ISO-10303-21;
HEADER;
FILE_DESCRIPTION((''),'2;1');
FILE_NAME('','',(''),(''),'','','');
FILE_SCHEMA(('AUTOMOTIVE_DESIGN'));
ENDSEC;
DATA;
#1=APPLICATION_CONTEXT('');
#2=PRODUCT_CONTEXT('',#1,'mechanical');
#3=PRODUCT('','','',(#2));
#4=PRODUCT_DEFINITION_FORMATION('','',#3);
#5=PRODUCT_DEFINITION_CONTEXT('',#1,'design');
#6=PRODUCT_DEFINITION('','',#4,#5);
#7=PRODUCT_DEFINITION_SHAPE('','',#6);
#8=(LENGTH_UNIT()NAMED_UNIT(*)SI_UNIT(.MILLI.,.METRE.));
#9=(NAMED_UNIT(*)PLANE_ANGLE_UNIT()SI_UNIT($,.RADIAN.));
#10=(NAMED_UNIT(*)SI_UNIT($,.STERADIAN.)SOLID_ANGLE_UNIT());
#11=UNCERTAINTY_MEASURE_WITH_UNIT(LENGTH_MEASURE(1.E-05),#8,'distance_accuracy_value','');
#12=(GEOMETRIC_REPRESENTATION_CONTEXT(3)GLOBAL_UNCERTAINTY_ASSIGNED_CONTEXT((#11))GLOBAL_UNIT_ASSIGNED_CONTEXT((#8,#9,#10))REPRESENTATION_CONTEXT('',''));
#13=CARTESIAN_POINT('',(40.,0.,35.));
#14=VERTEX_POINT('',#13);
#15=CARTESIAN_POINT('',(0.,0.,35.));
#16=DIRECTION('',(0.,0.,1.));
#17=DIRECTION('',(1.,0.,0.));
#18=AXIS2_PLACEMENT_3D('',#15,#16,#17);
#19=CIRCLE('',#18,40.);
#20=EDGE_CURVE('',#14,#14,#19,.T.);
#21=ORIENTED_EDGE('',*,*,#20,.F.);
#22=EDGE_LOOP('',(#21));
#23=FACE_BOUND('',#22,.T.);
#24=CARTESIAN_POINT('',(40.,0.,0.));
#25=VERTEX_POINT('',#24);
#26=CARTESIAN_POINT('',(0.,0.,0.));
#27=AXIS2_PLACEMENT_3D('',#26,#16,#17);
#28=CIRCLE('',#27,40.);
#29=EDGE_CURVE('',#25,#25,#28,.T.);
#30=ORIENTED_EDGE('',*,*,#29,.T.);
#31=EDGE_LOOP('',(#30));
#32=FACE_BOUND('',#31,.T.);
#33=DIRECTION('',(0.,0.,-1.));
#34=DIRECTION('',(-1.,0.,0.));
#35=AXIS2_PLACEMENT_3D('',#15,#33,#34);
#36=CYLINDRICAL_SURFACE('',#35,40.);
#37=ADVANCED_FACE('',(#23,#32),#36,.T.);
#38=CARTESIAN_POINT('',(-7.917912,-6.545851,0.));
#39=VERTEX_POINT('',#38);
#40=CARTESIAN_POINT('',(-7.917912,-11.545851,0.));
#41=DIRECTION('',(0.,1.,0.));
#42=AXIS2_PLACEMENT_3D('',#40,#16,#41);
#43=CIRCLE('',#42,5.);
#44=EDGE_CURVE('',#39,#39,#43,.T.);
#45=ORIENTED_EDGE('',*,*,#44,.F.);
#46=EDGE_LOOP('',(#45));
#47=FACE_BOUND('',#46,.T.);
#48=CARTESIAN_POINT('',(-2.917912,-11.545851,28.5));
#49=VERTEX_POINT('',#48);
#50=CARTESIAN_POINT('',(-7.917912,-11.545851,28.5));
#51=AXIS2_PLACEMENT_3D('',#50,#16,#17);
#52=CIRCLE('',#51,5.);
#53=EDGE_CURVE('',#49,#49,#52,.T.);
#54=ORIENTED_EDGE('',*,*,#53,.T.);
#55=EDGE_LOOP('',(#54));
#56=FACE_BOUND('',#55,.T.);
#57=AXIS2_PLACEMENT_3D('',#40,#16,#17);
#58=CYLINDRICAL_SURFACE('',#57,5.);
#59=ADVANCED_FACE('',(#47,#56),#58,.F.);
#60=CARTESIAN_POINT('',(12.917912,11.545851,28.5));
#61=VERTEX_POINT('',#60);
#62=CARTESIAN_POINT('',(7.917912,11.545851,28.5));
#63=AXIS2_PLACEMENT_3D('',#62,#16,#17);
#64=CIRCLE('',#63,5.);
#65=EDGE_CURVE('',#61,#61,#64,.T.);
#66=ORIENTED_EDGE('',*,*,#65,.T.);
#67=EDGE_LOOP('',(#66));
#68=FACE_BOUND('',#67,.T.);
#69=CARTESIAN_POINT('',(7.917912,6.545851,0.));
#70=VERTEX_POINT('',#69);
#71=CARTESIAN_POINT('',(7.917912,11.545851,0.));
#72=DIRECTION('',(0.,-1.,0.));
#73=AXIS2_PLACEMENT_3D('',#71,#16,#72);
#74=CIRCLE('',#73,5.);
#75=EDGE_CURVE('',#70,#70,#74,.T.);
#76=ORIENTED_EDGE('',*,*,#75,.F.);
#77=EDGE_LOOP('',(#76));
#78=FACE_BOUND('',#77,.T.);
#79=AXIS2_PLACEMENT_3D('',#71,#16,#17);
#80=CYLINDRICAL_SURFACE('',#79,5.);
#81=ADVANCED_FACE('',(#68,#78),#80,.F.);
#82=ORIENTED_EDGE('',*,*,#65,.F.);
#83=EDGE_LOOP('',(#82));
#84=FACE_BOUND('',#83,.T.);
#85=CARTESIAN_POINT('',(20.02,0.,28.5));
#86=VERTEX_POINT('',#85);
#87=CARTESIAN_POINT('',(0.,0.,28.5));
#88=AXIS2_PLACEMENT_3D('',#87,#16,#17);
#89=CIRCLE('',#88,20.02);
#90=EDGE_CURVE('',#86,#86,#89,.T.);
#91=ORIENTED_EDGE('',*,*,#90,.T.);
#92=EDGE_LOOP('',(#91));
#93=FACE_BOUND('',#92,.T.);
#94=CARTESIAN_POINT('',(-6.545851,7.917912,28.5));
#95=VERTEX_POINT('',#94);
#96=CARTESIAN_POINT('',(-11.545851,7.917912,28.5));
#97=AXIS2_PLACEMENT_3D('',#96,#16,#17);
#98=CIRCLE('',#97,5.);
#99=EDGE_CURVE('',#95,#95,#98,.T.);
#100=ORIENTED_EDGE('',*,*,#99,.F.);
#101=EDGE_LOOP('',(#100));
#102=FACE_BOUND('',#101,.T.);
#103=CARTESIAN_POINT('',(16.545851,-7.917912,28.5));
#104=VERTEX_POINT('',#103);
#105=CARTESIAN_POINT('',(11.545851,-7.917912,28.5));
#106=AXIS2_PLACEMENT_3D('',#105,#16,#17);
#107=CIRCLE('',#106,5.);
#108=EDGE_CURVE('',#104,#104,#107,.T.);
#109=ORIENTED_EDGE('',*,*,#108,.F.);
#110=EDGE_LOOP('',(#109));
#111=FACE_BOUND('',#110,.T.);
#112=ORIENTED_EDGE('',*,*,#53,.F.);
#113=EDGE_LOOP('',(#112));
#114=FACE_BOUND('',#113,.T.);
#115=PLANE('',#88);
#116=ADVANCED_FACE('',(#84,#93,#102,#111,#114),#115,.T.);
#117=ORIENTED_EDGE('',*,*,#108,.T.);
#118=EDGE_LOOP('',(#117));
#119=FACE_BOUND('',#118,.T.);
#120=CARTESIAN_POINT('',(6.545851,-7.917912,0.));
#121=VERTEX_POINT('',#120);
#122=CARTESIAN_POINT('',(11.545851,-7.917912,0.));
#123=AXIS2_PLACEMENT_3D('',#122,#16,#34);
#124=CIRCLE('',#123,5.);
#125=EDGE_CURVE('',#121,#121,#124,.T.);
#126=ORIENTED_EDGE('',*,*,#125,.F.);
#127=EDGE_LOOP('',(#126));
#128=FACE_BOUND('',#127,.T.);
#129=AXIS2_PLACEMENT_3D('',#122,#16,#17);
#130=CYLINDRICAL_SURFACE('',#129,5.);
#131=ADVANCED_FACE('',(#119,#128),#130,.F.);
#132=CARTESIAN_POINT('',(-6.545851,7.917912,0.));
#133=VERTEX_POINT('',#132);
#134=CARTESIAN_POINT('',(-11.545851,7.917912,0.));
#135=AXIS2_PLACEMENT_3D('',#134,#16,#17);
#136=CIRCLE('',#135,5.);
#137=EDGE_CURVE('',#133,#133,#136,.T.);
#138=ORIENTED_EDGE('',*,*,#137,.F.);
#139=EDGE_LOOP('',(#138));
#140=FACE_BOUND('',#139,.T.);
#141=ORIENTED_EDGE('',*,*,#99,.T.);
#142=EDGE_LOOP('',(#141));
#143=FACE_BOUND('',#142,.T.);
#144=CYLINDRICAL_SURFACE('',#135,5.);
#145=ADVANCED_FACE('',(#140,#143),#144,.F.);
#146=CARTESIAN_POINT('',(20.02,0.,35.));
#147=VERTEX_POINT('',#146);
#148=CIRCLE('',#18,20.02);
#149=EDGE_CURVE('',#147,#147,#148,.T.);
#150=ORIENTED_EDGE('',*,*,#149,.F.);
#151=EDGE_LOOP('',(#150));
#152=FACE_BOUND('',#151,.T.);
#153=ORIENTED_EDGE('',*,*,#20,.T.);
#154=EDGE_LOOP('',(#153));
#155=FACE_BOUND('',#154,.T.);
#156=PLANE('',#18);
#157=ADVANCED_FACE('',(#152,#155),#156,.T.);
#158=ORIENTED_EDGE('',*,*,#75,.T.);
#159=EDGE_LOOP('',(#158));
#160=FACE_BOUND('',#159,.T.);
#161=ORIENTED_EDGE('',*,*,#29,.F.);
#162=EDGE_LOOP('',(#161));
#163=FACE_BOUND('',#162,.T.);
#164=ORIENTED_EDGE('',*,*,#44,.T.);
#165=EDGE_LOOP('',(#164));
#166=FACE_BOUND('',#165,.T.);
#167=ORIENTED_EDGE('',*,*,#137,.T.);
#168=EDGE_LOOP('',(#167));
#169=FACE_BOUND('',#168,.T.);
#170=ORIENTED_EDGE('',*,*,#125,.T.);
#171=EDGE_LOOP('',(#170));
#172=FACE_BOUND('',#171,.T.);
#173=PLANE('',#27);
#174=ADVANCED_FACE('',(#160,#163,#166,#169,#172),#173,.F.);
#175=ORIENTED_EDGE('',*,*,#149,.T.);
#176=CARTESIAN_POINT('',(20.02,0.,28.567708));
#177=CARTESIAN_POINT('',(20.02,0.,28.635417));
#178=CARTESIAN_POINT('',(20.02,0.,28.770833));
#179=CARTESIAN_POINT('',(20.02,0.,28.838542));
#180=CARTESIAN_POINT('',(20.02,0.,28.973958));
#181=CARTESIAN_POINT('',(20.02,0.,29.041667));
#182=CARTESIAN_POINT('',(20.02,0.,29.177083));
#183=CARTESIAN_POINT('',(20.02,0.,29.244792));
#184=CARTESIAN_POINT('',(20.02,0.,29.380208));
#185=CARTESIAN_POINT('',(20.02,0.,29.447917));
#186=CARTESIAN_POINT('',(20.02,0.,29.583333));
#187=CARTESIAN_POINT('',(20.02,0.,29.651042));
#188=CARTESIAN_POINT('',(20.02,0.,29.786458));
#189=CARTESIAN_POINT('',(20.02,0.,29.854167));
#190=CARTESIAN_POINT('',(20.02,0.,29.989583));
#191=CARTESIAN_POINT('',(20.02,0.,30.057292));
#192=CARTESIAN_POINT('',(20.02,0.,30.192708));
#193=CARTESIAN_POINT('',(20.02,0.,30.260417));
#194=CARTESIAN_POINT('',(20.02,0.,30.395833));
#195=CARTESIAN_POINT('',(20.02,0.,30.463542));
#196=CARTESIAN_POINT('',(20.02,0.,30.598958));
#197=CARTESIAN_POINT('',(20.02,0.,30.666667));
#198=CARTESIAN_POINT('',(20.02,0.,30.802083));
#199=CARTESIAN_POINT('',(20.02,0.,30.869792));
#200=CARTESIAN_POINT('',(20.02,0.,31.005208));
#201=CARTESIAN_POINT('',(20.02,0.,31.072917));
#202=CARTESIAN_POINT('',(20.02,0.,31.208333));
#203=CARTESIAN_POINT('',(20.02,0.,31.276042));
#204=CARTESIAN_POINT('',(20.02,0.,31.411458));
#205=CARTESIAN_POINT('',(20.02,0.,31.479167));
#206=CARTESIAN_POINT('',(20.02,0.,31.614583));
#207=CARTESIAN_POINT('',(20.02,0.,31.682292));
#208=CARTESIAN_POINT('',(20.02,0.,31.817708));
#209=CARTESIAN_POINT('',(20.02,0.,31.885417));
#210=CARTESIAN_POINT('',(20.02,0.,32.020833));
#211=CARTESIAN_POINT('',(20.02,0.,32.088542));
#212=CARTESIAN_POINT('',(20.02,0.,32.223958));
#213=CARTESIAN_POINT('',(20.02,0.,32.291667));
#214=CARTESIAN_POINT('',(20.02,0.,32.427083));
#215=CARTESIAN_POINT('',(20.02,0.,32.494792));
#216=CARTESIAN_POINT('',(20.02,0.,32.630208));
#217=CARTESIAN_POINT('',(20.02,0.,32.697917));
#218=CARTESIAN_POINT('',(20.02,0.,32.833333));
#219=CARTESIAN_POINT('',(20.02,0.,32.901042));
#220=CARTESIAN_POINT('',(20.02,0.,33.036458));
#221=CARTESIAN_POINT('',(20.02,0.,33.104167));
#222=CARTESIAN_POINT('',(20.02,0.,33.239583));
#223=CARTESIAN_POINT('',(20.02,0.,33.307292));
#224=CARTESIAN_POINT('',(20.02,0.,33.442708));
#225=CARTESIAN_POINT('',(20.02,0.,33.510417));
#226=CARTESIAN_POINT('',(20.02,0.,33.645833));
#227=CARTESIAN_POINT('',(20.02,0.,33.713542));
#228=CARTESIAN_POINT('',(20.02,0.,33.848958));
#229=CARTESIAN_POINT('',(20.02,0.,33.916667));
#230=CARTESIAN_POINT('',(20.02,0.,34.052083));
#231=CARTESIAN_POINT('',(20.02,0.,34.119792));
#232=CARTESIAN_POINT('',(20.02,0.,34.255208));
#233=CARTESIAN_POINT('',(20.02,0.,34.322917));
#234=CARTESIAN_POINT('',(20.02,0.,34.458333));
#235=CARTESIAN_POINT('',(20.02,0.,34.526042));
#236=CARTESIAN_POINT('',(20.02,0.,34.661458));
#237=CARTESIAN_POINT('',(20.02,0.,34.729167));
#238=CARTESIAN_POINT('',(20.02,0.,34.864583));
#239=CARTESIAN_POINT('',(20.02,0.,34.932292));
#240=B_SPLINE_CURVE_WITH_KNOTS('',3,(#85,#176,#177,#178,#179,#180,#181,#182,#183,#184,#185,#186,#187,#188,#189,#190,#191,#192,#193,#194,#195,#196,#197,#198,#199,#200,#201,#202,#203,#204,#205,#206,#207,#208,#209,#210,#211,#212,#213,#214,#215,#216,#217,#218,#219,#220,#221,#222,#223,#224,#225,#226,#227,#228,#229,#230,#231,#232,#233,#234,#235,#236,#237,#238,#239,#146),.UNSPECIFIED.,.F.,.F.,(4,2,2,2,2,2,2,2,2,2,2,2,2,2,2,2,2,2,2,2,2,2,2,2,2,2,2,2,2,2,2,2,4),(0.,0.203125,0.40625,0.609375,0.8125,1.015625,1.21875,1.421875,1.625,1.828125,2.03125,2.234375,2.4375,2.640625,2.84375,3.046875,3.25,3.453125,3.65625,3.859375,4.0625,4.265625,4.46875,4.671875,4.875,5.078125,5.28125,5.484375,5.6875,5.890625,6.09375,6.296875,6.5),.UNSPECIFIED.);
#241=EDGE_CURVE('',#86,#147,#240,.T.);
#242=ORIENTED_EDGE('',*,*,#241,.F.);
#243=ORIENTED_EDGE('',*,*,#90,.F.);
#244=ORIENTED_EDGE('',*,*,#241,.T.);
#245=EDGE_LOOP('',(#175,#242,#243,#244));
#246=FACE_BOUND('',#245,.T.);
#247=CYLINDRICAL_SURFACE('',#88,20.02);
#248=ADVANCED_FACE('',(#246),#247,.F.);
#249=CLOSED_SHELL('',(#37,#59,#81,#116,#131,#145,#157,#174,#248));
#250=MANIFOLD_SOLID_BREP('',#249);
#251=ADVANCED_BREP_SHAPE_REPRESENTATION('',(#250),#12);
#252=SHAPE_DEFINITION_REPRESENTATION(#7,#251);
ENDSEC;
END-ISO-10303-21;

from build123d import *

# Parameters (mm, degrees)
SKETCH1_R           = 40
BOSS_EXTRUDE1_DEPTH = 35
SKETCH2_R           = 20.02
CUT_EXTRUDE2_DEPTH  = 6.5
SKETCH3_R           = 5
CUT_EXTRUDE3_DEPTH  = 67.520673478
CIRPATTERN1_COUNT   = 4


with BuildPart() as part:
    # Sketch1 → Boss-Extrude1 (new body)
    with BuildSketch(Plane.XY):
        Circle(SKETCH1_R)
    extrude(amount=BOSS_EXTRUDE1_DEPTH)

    # Sketch2 → Cut-Extrude2 (cut)
    with BuildSketch(Plane.XY.offset(35)):
        Circle(SKETCH2_R)
    extrude(amount=-CUT_EXTRUDE2_DEPTH, mode=Mode.SUBTRACT)

    # Sketch3 → Cut-Extrude3 (cut, through all)
    with BuildSketch(Plane.XY.offset(35)):
        with Locations((-11.545851026, 7.917911598)):
            Circle(SKETCH3_R)
    cut_extrude3 = extrude(amount=-CUT_EXTRUDE3_DEPTH, mode=Mode.SUBTRACT)

    # CirPattern1: Cut-Extrude3 ×4 about axis
    cirpattern1_axis = Axis((0, 0, 0), (0, 0, 1))
    for i in range(1, CIRPATTERN1_COUNT):
        add(cut_extrude3.rotate(cirpattern1_axis, i * 360 / CIRPATTERN1_COUNT), mode=Mode.SUBTRACT)


solid = part.part
